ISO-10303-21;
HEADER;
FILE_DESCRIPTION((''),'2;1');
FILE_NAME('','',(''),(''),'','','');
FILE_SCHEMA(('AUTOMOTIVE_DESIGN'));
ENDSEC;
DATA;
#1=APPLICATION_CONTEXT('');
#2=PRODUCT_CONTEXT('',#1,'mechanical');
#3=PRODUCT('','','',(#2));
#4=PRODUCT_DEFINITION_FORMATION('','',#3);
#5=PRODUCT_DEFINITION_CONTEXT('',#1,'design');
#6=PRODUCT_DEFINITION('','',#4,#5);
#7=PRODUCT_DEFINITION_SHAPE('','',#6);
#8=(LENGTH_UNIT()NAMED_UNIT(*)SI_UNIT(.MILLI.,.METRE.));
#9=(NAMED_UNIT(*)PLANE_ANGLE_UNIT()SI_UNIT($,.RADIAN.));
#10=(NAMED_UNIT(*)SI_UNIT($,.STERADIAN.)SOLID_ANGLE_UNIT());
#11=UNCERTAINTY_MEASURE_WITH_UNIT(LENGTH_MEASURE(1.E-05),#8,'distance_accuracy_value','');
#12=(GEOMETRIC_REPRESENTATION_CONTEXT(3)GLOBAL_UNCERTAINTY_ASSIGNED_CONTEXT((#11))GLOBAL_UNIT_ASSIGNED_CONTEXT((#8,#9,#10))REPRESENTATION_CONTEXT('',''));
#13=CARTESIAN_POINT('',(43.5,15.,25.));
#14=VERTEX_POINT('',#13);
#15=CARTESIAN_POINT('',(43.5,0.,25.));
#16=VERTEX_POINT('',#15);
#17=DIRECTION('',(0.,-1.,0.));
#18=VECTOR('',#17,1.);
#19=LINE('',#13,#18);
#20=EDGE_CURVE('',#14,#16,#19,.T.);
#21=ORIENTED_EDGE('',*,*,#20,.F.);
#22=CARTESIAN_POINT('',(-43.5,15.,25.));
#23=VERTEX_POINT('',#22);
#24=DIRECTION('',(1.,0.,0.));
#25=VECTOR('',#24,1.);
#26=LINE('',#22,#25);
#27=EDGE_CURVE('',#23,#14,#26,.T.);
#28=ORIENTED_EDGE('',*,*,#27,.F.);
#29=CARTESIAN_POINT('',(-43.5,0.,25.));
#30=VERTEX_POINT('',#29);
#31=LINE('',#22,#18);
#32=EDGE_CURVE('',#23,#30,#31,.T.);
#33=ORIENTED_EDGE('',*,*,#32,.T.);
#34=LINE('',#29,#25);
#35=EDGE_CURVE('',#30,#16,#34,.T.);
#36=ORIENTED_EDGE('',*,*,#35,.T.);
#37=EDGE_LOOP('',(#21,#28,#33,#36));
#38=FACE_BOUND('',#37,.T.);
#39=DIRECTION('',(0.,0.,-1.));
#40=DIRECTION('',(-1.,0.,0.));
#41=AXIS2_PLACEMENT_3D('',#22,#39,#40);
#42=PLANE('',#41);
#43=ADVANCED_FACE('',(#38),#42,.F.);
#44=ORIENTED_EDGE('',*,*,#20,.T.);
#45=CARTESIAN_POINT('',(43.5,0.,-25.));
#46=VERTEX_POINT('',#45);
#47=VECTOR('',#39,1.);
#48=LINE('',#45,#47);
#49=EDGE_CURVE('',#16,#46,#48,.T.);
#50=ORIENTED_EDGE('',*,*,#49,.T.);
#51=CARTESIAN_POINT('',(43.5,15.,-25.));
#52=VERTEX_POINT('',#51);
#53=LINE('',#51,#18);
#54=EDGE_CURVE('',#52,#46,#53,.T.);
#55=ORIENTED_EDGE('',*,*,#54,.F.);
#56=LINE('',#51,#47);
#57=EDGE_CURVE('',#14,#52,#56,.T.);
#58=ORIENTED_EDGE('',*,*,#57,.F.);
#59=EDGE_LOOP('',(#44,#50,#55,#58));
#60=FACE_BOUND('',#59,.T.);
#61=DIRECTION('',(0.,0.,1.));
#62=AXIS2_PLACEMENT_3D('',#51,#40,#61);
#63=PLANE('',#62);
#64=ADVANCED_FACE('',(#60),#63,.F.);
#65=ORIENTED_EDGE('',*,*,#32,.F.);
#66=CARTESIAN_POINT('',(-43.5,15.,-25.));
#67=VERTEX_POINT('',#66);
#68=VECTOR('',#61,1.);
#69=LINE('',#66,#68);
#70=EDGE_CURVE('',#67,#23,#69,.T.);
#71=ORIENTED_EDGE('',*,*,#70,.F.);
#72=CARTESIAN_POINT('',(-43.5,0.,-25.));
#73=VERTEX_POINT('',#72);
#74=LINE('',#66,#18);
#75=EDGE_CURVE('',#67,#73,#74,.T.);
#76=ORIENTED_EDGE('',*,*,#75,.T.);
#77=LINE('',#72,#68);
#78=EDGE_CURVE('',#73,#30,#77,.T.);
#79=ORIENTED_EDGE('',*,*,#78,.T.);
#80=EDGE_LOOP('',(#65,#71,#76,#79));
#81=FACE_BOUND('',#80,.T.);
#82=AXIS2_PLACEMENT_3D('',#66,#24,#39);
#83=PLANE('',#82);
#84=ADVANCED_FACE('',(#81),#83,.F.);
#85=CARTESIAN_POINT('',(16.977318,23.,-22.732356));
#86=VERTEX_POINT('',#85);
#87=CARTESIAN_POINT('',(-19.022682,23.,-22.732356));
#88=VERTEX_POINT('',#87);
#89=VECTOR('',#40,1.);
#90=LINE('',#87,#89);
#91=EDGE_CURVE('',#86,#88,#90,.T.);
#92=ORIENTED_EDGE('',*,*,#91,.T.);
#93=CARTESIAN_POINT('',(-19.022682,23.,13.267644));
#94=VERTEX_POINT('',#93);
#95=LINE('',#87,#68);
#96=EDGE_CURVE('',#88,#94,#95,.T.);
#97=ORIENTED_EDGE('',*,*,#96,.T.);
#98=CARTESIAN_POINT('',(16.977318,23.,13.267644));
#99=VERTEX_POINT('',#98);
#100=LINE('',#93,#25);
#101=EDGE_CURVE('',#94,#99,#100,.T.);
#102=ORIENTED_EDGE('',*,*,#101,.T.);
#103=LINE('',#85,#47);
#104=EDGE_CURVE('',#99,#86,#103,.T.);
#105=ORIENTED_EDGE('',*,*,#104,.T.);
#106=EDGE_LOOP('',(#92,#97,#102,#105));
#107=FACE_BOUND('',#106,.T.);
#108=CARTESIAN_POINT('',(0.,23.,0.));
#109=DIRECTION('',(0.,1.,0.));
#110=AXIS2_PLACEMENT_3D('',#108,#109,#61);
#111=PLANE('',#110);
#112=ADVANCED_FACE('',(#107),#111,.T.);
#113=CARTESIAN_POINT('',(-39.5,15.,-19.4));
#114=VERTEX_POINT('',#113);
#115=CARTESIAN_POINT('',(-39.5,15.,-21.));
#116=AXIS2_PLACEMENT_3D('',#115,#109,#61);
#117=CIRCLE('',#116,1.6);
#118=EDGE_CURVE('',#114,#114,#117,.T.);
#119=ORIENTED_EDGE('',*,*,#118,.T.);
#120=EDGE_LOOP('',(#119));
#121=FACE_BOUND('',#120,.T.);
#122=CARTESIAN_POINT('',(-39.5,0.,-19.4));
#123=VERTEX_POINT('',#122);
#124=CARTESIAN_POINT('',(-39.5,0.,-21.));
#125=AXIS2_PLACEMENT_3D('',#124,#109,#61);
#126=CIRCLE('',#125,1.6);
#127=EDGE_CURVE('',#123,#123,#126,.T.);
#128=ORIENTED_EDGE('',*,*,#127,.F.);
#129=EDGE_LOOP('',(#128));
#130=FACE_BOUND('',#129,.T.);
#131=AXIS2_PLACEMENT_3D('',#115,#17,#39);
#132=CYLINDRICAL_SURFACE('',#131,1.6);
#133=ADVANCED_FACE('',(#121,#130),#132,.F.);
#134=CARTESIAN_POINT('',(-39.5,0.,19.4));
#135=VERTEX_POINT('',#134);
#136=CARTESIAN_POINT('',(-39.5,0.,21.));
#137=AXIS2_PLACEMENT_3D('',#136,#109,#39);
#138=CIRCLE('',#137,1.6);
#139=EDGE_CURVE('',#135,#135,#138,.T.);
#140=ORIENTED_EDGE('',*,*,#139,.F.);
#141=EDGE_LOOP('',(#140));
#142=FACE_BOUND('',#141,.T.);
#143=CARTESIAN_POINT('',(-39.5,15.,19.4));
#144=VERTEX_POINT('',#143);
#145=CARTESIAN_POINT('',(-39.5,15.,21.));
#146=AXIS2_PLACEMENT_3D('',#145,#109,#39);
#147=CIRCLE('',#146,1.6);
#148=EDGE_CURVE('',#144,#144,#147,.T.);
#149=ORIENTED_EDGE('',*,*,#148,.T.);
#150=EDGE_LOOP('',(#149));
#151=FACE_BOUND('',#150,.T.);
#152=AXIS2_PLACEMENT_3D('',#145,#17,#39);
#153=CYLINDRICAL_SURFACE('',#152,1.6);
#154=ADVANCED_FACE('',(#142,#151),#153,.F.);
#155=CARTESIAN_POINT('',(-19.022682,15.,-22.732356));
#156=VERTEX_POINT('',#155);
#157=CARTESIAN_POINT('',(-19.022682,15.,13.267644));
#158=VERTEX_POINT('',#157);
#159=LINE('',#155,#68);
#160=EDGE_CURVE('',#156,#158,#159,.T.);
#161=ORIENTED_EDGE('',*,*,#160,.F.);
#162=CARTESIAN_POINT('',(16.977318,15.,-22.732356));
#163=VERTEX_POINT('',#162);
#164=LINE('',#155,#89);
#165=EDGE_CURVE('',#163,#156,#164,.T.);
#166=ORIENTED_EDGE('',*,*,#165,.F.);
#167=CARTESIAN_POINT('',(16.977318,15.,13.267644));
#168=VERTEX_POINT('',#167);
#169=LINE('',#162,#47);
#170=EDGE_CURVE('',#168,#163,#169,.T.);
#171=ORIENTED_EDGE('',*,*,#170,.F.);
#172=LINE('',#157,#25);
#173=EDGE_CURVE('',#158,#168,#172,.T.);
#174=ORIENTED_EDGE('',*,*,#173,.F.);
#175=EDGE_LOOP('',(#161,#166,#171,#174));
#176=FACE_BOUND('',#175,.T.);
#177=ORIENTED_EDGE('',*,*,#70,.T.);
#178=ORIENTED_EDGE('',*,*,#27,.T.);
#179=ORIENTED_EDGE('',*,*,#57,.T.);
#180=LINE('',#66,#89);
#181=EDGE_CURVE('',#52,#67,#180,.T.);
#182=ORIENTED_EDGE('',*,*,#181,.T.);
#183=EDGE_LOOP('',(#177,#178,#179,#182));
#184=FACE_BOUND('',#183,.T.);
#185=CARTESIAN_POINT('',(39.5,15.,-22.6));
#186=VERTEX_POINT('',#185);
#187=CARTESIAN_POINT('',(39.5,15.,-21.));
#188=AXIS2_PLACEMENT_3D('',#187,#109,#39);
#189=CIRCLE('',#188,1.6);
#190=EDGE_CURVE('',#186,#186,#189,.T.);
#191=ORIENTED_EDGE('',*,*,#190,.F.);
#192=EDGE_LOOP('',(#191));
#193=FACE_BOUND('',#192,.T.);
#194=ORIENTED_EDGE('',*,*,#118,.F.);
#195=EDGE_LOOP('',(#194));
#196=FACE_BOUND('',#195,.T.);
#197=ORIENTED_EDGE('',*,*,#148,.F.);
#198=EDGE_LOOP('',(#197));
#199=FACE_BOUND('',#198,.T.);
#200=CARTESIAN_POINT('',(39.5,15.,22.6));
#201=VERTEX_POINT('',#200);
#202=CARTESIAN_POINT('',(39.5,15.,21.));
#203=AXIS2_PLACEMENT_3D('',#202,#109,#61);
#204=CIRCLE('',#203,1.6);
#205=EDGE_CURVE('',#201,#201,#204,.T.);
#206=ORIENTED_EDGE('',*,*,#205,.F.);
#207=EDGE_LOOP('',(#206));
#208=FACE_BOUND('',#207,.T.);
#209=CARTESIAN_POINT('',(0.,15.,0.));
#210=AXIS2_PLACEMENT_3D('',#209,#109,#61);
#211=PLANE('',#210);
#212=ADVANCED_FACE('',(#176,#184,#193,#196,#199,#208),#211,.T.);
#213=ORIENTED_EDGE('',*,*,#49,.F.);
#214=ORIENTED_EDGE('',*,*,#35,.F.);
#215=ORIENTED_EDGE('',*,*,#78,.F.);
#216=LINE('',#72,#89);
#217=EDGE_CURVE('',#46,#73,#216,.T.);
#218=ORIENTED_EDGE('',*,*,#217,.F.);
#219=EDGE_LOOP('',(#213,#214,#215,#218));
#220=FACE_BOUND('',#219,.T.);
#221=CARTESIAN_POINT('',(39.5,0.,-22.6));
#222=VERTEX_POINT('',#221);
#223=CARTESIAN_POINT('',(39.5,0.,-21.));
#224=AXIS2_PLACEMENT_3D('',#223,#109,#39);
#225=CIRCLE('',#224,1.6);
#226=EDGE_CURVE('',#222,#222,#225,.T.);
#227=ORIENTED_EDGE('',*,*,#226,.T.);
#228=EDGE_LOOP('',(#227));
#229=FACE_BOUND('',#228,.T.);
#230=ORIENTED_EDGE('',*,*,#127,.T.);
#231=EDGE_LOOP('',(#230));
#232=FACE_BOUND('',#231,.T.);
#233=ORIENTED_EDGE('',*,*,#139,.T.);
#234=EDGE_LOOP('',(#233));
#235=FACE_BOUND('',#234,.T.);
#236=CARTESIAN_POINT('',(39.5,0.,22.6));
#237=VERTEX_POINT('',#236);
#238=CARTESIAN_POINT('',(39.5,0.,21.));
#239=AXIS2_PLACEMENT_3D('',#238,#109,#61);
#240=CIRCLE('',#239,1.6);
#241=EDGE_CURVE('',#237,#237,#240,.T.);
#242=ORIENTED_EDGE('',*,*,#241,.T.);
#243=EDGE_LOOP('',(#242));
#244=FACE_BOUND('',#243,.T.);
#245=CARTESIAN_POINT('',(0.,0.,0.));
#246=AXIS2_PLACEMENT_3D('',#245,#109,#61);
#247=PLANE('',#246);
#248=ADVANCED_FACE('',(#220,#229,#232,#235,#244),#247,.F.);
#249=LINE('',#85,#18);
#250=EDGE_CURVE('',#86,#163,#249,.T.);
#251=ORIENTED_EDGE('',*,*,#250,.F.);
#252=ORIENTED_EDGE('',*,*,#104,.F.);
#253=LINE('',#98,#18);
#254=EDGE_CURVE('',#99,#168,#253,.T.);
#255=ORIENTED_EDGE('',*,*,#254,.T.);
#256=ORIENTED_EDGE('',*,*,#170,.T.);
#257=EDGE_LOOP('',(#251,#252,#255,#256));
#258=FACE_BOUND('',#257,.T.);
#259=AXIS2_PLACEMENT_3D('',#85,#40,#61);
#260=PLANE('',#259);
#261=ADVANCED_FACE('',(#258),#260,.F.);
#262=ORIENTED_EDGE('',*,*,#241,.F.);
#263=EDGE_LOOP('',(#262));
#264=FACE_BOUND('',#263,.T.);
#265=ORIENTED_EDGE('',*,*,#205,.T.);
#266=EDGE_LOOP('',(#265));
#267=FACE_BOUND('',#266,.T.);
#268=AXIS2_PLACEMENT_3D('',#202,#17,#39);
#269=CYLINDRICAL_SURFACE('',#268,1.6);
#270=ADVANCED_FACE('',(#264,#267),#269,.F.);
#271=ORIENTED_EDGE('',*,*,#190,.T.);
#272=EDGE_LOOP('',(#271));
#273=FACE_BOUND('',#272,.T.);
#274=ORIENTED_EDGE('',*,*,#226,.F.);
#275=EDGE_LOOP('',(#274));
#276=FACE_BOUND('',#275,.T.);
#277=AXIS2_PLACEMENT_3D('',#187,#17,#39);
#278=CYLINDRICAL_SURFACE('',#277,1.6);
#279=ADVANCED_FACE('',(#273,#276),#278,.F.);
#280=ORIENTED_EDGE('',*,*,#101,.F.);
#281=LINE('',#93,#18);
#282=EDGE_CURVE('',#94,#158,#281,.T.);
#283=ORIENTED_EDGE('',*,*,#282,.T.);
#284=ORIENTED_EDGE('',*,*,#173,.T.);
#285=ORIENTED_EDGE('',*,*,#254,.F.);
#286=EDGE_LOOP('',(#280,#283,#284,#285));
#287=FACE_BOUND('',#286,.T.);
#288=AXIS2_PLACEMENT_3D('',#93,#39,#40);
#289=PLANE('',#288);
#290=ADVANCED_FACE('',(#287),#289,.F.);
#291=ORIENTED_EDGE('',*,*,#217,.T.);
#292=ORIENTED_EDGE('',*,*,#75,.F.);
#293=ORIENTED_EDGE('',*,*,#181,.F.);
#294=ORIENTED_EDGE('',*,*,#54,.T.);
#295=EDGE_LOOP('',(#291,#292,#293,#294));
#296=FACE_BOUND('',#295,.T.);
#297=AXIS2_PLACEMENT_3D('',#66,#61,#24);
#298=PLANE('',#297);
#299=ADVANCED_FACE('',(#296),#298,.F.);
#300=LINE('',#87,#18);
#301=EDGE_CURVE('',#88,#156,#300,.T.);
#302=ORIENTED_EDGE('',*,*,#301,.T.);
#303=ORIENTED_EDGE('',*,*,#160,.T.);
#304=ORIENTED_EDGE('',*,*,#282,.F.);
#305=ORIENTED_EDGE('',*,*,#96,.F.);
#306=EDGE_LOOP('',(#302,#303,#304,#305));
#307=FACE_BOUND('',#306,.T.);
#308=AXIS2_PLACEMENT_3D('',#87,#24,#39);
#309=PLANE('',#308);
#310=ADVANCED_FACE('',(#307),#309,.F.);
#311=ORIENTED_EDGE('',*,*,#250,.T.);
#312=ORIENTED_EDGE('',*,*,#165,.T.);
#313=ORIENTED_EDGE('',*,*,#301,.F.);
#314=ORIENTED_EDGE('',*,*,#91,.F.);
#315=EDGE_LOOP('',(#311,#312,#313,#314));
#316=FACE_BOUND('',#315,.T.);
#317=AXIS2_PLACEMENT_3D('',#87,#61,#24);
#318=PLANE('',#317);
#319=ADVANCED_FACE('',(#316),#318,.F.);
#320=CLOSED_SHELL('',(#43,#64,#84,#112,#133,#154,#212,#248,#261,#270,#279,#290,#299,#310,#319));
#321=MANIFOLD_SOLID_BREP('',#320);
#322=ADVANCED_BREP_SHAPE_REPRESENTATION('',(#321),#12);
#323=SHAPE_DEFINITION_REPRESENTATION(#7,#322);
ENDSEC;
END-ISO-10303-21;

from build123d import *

# Parameters (mm, degrees)
SKETCH_1_W      = 87
SKETCH_1_H      = 50
SKETCH_1_R      = 1.6
EXTRUDE_1_DEPTH = 15
SKETCH_2_W      = 36
SKETCH_2_H      = 36
EXTRUDE_2_DEPTH = 8


with BuildPart() as part:
    # 草图1 → 凸台-拉伸1 (new body)
    with BuildSketch(Plane(origin=(0, 0, 0), x_dir=(1, 0, 0), z_dir=(0, 1, 0))):
        Rectangle(SKETCH_1_W, SKETCH_1_H)
        with Locations(Location((-39.5, 21, 0), (0, 0, 270))):
            Circle(SKETCH_1_R, mode=Mode.SUBTRACT)
        with Locations(Location((39.5, 21, 0), (0, 0, 90))):
            Circle(SKETCH_1_R, mode=Mode.SUBTRACT)
        with Locations(Location((39.5, -21, 0), (0, 0, 270))):
            Circle(SKETCH_1_R, mode=Mode.SUBTRACT)
        with Locations(Location((-39.5, -21, 0), (0, 0, 90))):
            Circle(SKETCH_1_R, mode=Mode.SUBTRACT)
    extrude(amount=EXTRUDE_1_DEPTH)

    # 草图2 → 凸台-拉伸2 (add)
    with BuildSketch(Plane(origin=(0, 15, 0), x_dir=(1, 0, 0), z_dir=(0, 1, 0))):
        with Locations((-1.022681739, 4.732356083)):
            Rectangle(SKETCH_2_W, SKETCH_2_H)
    extrude(amount=EXTRUDE_2_DEPTH)


solid = part.part
